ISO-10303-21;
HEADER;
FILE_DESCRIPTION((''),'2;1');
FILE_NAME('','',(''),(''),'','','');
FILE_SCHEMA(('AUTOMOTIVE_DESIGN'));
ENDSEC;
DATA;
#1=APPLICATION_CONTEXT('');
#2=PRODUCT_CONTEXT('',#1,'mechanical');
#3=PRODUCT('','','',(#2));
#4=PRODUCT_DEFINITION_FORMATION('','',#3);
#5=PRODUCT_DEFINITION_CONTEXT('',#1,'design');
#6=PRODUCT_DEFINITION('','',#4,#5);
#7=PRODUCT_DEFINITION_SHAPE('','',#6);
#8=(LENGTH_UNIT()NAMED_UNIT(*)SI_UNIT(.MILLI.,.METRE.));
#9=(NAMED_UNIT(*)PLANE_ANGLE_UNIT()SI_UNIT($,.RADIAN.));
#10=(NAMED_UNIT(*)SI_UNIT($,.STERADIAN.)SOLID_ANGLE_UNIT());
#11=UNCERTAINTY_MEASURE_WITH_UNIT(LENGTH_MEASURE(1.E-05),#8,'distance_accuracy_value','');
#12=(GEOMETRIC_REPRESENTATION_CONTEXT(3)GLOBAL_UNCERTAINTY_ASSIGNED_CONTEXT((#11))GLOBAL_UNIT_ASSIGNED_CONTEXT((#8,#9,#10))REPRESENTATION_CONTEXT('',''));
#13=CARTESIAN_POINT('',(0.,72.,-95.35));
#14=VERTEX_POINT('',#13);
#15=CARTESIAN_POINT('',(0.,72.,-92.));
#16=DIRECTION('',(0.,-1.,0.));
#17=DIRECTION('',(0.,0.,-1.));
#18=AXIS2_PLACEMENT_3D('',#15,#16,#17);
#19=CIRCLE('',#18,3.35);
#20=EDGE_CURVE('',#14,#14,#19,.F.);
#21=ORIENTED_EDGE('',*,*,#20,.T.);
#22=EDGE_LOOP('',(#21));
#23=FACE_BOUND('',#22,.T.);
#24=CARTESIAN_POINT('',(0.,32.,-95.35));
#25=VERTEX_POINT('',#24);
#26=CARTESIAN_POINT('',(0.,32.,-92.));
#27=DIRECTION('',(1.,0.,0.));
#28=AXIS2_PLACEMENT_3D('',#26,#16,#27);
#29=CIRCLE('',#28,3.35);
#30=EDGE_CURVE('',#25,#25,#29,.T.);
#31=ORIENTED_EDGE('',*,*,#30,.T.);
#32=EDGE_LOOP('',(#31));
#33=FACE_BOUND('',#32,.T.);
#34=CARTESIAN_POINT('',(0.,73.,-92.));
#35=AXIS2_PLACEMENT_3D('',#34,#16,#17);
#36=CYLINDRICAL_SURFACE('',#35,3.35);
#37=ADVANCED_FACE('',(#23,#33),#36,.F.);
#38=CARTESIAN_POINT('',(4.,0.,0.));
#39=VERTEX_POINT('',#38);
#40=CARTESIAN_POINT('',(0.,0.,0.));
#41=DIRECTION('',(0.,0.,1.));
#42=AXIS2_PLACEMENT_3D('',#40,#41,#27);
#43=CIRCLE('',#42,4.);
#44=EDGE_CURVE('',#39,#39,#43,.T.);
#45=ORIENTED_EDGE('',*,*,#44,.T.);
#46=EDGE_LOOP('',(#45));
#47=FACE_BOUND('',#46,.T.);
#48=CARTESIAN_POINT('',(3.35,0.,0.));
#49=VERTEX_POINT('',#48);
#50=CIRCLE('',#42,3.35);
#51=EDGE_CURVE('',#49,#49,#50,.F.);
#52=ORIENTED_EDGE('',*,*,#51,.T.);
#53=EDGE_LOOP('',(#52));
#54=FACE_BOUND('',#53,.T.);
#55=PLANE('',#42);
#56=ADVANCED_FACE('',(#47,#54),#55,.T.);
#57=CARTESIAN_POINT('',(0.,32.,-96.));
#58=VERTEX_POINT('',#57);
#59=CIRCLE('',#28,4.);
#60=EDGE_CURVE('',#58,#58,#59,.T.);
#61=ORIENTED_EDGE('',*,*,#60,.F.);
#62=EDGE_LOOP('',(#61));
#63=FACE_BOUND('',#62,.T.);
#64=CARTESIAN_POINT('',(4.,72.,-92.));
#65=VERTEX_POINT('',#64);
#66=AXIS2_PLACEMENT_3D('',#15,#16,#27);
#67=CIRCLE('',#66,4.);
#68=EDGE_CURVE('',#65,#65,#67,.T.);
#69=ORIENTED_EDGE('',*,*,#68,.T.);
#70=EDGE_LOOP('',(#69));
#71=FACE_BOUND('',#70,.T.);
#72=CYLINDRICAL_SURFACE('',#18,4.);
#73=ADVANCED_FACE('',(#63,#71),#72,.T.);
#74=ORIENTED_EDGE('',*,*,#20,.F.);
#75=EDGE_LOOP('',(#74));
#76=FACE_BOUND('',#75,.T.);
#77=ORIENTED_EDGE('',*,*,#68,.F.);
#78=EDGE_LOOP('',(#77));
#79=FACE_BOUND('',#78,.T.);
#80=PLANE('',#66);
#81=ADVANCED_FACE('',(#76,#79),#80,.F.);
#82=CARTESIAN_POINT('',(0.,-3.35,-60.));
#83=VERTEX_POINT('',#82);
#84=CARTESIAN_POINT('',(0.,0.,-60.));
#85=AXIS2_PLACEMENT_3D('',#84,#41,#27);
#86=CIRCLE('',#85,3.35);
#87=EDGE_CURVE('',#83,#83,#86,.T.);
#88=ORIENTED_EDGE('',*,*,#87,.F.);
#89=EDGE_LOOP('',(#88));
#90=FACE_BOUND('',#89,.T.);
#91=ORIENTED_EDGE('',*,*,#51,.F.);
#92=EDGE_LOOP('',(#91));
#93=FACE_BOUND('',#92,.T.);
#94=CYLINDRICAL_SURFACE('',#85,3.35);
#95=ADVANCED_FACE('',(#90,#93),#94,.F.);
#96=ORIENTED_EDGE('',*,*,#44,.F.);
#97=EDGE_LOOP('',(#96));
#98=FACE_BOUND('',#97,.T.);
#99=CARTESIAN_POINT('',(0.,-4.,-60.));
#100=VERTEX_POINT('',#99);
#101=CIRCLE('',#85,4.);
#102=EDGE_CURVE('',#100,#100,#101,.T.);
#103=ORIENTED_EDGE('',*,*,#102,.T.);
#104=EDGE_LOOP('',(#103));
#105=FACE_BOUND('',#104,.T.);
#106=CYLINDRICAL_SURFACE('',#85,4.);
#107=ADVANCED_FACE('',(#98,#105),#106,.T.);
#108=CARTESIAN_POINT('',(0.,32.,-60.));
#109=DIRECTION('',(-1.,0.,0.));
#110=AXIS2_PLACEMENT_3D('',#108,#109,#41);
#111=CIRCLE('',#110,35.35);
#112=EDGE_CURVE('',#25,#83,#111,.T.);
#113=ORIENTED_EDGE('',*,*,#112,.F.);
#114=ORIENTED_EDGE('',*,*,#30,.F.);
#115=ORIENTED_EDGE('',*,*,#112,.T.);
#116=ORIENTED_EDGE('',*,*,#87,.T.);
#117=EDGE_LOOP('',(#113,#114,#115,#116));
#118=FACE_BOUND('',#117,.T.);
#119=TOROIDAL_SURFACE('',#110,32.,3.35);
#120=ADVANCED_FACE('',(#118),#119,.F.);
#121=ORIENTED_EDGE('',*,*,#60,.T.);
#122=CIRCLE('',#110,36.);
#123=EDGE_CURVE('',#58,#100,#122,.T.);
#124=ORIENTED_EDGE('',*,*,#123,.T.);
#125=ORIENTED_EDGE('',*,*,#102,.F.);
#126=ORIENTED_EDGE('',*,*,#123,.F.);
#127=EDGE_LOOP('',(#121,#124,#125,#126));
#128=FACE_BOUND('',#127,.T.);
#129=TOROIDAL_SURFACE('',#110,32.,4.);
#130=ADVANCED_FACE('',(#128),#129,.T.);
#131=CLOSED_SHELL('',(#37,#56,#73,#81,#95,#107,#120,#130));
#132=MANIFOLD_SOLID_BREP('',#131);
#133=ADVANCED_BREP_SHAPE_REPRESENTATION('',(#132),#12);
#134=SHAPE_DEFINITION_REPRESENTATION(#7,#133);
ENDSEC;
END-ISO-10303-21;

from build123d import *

# Parameters (mm, degrees)
SKETCH2_R = 4
SKETCH3_R = 3.35


with BuildPart() as part:
    # Sweep1: sweep along a path in Sketch1
    with BuildLine(Plane(origin=(0, 0, 0), x_dir=(0, 0, -1), z_dir=(1, 0, 0))) as sweep1_path:
        Line((0, 0), (60, 0))
        ThreePointArc((60, 0), (82.627416998, 9.372583002), (92, 32))
        Line((92, 32), (92, 72))
    # Sketch2 → Sweep1 (sweep)
    with BuildSketch(Plane.XY):
        Circle(SKETCH2_R)
    sweep(path=sweep1_path.line)

    # Cut-Sweep1: sweep along a path in Sketch1<4>
    with BuildLine(Plane(origin=(0, 0, 0), x_dir=(0, 0, -1), z_dir=(1, 0, 0))) as cut_sweep1_path:
        Line((0, 0), (60, 0))
        ThreePointArc((60, 0), (82.627416998, 9.372583002), (92, 32))
        Line((92, 32), (92, 72))
    # Sketch3 → Cut-Sweep1 (sweep, cut)
    with BuildSketch(Plane.XY):
        Circle(SKETCH3_R)
    sweep(path=cut_sweep1_path.line, mode=Mode.SUBTRACT)


solid = part.part
